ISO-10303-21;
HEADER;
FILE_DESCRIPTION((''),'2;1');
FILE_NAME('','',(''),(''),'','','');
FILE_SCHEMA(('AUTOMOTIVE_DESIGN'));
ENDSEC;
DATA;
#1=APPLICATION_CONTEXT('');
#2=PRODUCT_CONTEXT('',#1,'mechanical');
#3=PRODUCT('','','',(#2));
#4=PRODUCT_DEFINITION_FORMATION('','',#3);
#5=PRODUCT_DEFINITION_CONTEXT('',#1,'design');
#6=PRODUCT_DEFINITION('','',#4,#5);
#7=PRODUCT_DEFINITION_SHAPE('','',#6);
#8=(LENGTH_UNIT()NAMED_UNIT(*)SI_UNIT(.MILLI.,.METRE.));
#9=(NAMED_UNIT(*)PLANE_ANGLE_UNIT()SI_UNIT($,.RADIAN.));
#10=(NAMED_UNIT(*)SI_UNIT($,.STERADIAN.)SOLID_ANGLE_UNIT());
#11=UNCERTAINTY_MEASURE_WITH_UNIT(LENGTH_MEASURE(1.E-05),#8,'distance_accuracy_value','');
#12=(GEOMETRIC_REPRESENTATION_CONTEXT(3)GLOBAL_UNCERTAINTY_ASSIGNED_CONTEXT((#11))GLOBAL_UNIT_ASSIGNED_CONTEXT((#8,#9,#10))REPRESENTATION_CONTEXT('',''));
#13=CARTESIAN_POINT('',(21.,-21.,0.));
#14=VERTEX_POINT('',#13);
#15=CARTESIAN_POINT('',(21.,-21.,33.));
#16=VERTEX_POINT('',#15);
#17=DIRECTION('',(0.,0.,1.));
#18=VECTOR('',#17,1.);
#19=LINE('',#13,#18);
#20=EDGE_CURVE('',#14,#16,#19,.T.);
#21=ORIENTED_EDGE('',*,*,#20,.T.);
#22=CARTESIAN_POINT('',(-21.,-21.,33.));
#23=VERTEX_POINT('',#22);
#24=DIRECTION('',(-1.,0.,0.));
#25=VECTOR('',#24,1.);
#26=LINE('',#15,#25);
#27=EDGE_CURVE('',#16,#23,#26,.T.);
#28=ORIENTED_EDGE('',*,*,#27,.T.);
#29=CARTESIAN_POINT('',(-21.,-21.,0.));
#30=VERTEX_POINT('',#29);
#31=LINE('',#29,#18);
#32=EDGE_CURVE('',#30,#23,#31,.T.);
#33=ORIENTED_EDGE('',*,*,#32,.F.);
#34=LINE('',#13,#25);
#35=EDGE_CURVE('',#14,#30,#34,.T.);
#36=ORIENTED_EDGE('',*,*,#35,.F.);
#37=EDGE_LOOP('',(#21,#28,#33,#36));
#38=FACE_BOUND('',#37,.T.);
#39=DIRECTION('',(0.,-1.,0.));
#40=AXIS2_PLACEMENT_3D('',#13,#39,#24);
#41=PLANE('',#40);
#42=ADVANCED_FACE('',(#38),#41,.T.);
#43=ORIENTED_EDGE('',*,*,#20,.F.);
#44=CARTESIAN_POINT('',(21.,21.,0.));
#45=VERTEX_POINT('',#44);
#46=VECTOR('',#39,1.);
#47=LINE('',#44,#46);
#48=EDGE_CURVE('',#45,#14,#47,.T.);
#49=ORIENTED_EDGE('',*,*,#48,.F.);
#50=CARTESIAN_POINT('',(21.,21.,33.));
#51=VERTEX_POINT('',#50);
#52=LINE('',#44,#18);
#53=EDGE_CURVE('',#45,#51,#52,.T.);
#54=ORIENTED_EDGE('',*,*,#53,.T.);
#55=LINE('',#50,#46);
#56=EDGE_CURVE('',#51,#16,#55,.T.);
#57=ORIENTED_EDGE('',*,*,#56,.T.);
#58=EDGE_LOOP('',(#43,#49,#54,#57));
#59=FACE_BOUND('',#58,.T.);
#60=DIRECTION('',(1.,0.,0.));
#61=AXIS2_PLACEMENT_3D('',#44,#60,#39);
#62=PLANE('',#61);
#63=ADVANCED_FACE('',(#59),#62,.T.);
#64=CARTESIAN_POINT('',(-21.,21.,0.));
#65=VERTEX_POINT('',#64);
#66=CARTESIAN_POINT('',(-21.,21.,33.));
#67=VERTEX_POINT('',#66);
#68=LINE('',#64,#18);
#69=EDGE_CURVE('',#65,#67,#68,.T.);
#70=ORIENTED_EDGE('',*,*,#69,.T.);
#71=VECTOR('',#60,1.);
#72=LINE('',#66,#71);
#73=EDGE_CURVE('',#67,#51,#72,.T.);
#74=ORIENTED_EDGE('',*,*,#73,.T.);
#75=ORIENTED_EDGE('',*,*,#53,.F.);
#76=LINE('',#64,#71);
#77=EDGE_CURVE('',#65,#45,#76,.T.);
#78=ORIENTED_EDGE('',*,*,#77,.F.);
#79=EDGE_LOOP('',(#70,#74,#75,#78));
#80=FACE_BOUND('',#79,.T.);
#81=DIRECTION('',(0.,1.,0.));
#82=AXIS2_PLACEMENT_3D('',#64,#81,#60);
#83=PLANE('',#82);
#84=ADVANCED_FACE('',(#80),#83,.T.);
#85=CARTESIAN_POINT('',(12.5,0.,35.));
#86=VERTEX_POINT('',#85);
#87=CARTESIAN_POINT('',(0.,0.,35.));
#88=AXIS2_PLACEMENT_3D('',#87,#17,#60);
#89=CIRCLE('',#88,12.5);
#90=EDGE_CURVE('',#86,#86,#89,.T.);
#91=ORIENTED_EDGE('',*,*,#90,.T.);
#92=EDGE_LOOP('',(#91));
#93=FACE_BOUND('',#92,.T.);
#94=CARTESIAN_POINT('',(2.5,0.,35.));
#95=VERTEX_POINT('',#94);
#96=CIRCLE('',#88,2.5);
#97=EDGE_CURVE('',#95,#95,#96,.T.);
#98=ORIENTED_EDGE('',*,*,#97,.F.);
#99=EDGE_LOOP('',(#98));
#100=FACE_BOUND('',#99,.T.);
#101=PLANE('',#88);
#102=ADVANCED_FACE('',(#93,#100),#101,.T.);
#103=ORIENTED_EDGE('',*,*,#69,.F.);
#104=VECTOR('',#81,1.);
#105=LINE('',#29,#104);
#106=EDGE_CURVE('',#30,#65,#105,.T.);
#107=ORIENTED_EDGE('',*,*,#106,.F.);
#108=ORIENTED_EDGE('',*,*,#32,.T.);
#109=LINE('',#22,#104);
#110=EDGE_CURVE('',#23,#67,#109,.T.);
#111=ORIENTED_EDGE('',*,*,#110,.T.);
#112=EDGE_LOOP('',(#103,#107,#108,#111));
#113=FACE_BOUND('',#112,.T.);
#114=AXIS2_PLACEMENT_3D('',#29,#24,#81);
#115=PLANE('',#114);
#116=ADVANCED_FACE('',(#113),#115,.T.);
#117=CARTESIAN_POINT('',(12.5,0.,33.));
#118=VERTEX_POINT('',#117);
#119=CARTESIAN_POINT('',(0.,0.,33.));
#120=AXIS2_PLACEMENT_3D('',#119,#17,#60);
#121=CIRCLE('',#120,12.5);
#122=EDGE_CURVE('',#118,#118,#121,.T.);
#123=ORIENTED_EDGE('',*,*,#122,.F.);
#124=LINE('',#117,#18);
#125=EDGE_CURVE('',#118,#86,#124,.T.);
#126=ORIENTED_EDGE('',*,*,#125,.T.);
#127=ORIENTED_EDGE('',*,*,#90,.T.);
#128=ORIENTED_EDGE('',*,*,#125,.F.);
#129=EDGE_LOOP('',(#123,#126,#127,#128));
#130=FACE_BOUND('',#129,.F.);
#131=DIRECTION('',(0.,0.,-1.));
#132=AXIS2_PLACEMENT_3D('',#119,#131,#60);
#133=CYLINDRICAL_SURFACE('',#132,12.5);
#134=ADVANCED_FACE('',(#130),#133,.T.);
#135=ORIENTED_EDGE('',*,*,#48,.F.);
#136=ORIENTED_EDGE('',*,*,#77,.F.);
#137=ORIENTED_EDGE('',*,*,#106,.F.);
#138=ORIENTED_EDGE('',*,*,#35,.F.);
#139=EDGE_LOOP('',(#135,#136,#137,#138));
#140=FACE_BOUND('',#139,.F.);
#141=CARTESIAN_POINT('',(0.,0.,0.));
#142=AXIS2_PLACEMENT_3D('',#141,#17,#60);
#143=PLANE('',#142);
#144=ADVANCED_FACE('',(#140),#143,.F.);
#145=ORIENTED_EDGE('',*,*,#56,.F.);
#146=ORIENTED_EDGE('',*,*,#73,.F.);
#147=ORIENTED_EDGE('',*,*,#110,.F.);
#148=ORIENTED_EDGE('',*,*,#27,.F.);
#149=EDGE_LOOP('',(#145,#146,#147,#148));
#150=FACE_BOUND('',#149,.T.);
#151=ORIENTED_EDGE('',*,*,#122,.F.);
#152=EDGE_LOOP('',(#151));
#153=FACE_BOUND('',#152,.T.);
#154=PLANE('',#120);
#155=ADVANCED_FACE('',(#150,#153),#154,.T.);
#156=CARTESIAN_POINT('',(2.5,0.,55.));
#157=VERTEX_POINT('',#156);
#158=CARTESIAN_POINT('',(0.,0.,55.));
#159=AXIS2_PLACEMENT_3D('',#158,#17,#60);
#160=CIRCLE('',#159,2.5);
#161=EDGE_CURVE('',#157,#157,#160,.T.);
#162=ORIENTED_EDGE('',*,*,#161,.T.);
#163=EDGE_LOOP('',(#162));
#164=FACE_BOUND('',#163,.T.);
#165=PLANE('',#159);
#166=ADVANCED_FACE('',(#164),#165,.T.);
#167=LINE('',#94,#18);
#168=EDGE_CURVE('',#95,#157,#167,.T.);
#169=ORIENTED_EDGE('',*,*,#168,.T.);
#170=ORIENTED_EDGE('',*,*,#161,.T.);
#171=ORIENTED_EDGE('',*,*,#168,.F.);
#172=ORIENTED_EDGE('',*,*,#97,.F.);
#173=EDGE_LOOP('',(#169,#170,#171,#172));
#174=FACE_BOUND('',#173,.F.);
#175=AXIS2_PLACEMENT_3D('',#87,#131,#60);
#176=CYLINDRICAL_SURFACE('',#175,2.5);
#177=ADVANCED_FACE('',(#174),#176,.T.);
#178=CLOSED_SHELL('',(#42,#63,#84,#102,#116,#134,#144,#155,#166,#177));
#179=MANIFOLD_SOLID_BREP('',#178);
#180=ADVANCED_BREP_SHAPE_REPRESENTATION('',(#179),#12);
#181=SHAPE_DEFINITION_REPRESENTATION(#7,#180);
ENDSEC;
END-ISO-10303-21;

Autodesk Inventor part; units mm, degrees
ref_plane "YZ Plane" through (0, 0, 0) normal (1, 0, 0) x (0, 1, 0)
ref_plane "XZ Plane" through (0, 0, 0) normal (0, 1, 0) x (-1, 0, 0)
ref_plane "XY Plane" through (0, 0, 0) normal (0, 0, 1) x (1, 0, 0)
sketch "Sketch1" plane through (0, 0, 0) normal (0, 0, 1) x (1, 0, 0)
  line L0 (16.5, 21.5) -> (16.5, 26.5) projected
  line L1 (16.5, 26.5) -> (16.5, 76.5) projected
  line L2 (16.5, 76.5) -> (26.5, 76.5) projected
  line L3 (26.5, 76.5) -> (26.5, 129.5) projected
  line L4 (26.5, 129.5) -> (-26.5, 129.5) projected
  line L5 (-26.5, 129.5) -> (-26.5, 76.5) projected
  line L6 (-26.5, 76.5) -> (-16.5, 76.5) projected
  line L7 (-16.5, 76.5) -> (-16.5, 26.5) projected
  line L8 (-16.5, 26.5) -> (-16.5, 21.5) projected
  line L9 (-16.5, 21.5) -> (-21.5, 21.5) projected
  line L10 (-21.5, 21.5) -> (-21.5, 11.5) projected
  line L11 (-21.5, 11.5) -> (-26.5, 11.5) projected
  line L12 (-26.5, 11.5) -> (-26.5, -11.5) projected
  line L13 (-26.5, -11.5) -> (-21.5, -11.5) projected
  line L14 (-21.5, -11.5) -> (-21.5, -21.5) projected
  line L15 (-21.5, -21.5) -> (-16.5, -21.5) projected
  line L16 (-16.5, -21.5) -> (-16.5, -26.5) projected
  line L17 (-16.5, -26.5) -> (-16.5, -76.5) projected
  line L18 (-16.5, -76.5) -> (-26.5, -76.5) projected
  line L19 (-26.5, -76.5) -> (-26.5, -129.5) projected
  line L20 (-26.5, -129.5) -> (26.5, -129.5) projected
  line L21 (26.5, -129.5) -> (26.5, -76.5) projected
  line L22 (26.5, -76.5) -> (16.5, -76.5) projected
  line L23 (16.5, -76.5) -> (16.5, -26.5) projected
  line L24 (16.5, -26.5) -> (16.5, -21.5) projected
  line L25 (16.5, -21.5) -> (21.5, -21.5) projected
  line L26 (21.5, -21.5) -> (21.5, -11.5) projected
  line L27 (21.5, -11.5) -> (26.5, -11.5) projected
  line L28 (26.5, -11.5) -> (26.5, 11.5) projected
  line L29 (26.5, 11.5) -> (21.5, 11.5) projected
  line L30 (21.5, 11.5) -> (21.5, 21.5) projected
  line L31 (21.5, 21.5) -> (16.5, 21.5) projected
  circle A0 centre (0, -103) radius 10.5 projected
  circle A1 centre (0, 103) radius 10.5 projected
  line L32 (-11.5, 26.5) -> (-11.5, 76.5) projected
  line L33 (-11.5, 76.5) -> (11.5, 76.5) projected
  line L34 (11.5, 76.5) -> (11.5, 26.5) projected
  line L35 (11.5, 26.5) -> (-11.5, 26.5) projected
  line L36 (11.5, -26.5) -> (11.5, -76.5) projected
  line L37 (11.5, -76.5) -> (-11.5, -76.5) projected
  line L38 (-11.5, -76.5) -> (-11.5, -26.5) projected
  line L39 (-11.5, -26.5) -> (11.5, -26.5) projected
  line L40 (-21, 21) -> (21, 21)
  line L41 (21, 21) -> (21, -21)
  line L42 (21, -21) -> (-21, -21)
  line L43 (-21, -21) -> (-21, 21)
  line L44 (-21, 21) -> (21, -21) construction
  line L45 (21, 21) -> (-21, -21) construction
  point P0 (0, 0)
  dimension "d0" = 42
  dimension "d1" = 42
extrude "Extrusion1" add sketch "Sketch1" along normal blind 33 contours L40 L41 L42 L43
sketch "Sketch2" plane through (0, 0, 33) normal (0, 0, 1) x (1, 0, 0)
  circle A0 centre (0, 0) radius 12.5
  dimension "d4" = 25
extrude "Extrusion2" add sketch "Sketch2" along normal blind 2
sketch "Sketch3" plane through (0, 0, 35) normal (0, 0, 1) x (1, 0, 0)
  circle A0 centre (0, 0) radius 2.5
  dimension "d7" = 5
extrude "Extrusion3" add sketch "Sketch3" along normal blind 20
properties part number "motor_sample"
